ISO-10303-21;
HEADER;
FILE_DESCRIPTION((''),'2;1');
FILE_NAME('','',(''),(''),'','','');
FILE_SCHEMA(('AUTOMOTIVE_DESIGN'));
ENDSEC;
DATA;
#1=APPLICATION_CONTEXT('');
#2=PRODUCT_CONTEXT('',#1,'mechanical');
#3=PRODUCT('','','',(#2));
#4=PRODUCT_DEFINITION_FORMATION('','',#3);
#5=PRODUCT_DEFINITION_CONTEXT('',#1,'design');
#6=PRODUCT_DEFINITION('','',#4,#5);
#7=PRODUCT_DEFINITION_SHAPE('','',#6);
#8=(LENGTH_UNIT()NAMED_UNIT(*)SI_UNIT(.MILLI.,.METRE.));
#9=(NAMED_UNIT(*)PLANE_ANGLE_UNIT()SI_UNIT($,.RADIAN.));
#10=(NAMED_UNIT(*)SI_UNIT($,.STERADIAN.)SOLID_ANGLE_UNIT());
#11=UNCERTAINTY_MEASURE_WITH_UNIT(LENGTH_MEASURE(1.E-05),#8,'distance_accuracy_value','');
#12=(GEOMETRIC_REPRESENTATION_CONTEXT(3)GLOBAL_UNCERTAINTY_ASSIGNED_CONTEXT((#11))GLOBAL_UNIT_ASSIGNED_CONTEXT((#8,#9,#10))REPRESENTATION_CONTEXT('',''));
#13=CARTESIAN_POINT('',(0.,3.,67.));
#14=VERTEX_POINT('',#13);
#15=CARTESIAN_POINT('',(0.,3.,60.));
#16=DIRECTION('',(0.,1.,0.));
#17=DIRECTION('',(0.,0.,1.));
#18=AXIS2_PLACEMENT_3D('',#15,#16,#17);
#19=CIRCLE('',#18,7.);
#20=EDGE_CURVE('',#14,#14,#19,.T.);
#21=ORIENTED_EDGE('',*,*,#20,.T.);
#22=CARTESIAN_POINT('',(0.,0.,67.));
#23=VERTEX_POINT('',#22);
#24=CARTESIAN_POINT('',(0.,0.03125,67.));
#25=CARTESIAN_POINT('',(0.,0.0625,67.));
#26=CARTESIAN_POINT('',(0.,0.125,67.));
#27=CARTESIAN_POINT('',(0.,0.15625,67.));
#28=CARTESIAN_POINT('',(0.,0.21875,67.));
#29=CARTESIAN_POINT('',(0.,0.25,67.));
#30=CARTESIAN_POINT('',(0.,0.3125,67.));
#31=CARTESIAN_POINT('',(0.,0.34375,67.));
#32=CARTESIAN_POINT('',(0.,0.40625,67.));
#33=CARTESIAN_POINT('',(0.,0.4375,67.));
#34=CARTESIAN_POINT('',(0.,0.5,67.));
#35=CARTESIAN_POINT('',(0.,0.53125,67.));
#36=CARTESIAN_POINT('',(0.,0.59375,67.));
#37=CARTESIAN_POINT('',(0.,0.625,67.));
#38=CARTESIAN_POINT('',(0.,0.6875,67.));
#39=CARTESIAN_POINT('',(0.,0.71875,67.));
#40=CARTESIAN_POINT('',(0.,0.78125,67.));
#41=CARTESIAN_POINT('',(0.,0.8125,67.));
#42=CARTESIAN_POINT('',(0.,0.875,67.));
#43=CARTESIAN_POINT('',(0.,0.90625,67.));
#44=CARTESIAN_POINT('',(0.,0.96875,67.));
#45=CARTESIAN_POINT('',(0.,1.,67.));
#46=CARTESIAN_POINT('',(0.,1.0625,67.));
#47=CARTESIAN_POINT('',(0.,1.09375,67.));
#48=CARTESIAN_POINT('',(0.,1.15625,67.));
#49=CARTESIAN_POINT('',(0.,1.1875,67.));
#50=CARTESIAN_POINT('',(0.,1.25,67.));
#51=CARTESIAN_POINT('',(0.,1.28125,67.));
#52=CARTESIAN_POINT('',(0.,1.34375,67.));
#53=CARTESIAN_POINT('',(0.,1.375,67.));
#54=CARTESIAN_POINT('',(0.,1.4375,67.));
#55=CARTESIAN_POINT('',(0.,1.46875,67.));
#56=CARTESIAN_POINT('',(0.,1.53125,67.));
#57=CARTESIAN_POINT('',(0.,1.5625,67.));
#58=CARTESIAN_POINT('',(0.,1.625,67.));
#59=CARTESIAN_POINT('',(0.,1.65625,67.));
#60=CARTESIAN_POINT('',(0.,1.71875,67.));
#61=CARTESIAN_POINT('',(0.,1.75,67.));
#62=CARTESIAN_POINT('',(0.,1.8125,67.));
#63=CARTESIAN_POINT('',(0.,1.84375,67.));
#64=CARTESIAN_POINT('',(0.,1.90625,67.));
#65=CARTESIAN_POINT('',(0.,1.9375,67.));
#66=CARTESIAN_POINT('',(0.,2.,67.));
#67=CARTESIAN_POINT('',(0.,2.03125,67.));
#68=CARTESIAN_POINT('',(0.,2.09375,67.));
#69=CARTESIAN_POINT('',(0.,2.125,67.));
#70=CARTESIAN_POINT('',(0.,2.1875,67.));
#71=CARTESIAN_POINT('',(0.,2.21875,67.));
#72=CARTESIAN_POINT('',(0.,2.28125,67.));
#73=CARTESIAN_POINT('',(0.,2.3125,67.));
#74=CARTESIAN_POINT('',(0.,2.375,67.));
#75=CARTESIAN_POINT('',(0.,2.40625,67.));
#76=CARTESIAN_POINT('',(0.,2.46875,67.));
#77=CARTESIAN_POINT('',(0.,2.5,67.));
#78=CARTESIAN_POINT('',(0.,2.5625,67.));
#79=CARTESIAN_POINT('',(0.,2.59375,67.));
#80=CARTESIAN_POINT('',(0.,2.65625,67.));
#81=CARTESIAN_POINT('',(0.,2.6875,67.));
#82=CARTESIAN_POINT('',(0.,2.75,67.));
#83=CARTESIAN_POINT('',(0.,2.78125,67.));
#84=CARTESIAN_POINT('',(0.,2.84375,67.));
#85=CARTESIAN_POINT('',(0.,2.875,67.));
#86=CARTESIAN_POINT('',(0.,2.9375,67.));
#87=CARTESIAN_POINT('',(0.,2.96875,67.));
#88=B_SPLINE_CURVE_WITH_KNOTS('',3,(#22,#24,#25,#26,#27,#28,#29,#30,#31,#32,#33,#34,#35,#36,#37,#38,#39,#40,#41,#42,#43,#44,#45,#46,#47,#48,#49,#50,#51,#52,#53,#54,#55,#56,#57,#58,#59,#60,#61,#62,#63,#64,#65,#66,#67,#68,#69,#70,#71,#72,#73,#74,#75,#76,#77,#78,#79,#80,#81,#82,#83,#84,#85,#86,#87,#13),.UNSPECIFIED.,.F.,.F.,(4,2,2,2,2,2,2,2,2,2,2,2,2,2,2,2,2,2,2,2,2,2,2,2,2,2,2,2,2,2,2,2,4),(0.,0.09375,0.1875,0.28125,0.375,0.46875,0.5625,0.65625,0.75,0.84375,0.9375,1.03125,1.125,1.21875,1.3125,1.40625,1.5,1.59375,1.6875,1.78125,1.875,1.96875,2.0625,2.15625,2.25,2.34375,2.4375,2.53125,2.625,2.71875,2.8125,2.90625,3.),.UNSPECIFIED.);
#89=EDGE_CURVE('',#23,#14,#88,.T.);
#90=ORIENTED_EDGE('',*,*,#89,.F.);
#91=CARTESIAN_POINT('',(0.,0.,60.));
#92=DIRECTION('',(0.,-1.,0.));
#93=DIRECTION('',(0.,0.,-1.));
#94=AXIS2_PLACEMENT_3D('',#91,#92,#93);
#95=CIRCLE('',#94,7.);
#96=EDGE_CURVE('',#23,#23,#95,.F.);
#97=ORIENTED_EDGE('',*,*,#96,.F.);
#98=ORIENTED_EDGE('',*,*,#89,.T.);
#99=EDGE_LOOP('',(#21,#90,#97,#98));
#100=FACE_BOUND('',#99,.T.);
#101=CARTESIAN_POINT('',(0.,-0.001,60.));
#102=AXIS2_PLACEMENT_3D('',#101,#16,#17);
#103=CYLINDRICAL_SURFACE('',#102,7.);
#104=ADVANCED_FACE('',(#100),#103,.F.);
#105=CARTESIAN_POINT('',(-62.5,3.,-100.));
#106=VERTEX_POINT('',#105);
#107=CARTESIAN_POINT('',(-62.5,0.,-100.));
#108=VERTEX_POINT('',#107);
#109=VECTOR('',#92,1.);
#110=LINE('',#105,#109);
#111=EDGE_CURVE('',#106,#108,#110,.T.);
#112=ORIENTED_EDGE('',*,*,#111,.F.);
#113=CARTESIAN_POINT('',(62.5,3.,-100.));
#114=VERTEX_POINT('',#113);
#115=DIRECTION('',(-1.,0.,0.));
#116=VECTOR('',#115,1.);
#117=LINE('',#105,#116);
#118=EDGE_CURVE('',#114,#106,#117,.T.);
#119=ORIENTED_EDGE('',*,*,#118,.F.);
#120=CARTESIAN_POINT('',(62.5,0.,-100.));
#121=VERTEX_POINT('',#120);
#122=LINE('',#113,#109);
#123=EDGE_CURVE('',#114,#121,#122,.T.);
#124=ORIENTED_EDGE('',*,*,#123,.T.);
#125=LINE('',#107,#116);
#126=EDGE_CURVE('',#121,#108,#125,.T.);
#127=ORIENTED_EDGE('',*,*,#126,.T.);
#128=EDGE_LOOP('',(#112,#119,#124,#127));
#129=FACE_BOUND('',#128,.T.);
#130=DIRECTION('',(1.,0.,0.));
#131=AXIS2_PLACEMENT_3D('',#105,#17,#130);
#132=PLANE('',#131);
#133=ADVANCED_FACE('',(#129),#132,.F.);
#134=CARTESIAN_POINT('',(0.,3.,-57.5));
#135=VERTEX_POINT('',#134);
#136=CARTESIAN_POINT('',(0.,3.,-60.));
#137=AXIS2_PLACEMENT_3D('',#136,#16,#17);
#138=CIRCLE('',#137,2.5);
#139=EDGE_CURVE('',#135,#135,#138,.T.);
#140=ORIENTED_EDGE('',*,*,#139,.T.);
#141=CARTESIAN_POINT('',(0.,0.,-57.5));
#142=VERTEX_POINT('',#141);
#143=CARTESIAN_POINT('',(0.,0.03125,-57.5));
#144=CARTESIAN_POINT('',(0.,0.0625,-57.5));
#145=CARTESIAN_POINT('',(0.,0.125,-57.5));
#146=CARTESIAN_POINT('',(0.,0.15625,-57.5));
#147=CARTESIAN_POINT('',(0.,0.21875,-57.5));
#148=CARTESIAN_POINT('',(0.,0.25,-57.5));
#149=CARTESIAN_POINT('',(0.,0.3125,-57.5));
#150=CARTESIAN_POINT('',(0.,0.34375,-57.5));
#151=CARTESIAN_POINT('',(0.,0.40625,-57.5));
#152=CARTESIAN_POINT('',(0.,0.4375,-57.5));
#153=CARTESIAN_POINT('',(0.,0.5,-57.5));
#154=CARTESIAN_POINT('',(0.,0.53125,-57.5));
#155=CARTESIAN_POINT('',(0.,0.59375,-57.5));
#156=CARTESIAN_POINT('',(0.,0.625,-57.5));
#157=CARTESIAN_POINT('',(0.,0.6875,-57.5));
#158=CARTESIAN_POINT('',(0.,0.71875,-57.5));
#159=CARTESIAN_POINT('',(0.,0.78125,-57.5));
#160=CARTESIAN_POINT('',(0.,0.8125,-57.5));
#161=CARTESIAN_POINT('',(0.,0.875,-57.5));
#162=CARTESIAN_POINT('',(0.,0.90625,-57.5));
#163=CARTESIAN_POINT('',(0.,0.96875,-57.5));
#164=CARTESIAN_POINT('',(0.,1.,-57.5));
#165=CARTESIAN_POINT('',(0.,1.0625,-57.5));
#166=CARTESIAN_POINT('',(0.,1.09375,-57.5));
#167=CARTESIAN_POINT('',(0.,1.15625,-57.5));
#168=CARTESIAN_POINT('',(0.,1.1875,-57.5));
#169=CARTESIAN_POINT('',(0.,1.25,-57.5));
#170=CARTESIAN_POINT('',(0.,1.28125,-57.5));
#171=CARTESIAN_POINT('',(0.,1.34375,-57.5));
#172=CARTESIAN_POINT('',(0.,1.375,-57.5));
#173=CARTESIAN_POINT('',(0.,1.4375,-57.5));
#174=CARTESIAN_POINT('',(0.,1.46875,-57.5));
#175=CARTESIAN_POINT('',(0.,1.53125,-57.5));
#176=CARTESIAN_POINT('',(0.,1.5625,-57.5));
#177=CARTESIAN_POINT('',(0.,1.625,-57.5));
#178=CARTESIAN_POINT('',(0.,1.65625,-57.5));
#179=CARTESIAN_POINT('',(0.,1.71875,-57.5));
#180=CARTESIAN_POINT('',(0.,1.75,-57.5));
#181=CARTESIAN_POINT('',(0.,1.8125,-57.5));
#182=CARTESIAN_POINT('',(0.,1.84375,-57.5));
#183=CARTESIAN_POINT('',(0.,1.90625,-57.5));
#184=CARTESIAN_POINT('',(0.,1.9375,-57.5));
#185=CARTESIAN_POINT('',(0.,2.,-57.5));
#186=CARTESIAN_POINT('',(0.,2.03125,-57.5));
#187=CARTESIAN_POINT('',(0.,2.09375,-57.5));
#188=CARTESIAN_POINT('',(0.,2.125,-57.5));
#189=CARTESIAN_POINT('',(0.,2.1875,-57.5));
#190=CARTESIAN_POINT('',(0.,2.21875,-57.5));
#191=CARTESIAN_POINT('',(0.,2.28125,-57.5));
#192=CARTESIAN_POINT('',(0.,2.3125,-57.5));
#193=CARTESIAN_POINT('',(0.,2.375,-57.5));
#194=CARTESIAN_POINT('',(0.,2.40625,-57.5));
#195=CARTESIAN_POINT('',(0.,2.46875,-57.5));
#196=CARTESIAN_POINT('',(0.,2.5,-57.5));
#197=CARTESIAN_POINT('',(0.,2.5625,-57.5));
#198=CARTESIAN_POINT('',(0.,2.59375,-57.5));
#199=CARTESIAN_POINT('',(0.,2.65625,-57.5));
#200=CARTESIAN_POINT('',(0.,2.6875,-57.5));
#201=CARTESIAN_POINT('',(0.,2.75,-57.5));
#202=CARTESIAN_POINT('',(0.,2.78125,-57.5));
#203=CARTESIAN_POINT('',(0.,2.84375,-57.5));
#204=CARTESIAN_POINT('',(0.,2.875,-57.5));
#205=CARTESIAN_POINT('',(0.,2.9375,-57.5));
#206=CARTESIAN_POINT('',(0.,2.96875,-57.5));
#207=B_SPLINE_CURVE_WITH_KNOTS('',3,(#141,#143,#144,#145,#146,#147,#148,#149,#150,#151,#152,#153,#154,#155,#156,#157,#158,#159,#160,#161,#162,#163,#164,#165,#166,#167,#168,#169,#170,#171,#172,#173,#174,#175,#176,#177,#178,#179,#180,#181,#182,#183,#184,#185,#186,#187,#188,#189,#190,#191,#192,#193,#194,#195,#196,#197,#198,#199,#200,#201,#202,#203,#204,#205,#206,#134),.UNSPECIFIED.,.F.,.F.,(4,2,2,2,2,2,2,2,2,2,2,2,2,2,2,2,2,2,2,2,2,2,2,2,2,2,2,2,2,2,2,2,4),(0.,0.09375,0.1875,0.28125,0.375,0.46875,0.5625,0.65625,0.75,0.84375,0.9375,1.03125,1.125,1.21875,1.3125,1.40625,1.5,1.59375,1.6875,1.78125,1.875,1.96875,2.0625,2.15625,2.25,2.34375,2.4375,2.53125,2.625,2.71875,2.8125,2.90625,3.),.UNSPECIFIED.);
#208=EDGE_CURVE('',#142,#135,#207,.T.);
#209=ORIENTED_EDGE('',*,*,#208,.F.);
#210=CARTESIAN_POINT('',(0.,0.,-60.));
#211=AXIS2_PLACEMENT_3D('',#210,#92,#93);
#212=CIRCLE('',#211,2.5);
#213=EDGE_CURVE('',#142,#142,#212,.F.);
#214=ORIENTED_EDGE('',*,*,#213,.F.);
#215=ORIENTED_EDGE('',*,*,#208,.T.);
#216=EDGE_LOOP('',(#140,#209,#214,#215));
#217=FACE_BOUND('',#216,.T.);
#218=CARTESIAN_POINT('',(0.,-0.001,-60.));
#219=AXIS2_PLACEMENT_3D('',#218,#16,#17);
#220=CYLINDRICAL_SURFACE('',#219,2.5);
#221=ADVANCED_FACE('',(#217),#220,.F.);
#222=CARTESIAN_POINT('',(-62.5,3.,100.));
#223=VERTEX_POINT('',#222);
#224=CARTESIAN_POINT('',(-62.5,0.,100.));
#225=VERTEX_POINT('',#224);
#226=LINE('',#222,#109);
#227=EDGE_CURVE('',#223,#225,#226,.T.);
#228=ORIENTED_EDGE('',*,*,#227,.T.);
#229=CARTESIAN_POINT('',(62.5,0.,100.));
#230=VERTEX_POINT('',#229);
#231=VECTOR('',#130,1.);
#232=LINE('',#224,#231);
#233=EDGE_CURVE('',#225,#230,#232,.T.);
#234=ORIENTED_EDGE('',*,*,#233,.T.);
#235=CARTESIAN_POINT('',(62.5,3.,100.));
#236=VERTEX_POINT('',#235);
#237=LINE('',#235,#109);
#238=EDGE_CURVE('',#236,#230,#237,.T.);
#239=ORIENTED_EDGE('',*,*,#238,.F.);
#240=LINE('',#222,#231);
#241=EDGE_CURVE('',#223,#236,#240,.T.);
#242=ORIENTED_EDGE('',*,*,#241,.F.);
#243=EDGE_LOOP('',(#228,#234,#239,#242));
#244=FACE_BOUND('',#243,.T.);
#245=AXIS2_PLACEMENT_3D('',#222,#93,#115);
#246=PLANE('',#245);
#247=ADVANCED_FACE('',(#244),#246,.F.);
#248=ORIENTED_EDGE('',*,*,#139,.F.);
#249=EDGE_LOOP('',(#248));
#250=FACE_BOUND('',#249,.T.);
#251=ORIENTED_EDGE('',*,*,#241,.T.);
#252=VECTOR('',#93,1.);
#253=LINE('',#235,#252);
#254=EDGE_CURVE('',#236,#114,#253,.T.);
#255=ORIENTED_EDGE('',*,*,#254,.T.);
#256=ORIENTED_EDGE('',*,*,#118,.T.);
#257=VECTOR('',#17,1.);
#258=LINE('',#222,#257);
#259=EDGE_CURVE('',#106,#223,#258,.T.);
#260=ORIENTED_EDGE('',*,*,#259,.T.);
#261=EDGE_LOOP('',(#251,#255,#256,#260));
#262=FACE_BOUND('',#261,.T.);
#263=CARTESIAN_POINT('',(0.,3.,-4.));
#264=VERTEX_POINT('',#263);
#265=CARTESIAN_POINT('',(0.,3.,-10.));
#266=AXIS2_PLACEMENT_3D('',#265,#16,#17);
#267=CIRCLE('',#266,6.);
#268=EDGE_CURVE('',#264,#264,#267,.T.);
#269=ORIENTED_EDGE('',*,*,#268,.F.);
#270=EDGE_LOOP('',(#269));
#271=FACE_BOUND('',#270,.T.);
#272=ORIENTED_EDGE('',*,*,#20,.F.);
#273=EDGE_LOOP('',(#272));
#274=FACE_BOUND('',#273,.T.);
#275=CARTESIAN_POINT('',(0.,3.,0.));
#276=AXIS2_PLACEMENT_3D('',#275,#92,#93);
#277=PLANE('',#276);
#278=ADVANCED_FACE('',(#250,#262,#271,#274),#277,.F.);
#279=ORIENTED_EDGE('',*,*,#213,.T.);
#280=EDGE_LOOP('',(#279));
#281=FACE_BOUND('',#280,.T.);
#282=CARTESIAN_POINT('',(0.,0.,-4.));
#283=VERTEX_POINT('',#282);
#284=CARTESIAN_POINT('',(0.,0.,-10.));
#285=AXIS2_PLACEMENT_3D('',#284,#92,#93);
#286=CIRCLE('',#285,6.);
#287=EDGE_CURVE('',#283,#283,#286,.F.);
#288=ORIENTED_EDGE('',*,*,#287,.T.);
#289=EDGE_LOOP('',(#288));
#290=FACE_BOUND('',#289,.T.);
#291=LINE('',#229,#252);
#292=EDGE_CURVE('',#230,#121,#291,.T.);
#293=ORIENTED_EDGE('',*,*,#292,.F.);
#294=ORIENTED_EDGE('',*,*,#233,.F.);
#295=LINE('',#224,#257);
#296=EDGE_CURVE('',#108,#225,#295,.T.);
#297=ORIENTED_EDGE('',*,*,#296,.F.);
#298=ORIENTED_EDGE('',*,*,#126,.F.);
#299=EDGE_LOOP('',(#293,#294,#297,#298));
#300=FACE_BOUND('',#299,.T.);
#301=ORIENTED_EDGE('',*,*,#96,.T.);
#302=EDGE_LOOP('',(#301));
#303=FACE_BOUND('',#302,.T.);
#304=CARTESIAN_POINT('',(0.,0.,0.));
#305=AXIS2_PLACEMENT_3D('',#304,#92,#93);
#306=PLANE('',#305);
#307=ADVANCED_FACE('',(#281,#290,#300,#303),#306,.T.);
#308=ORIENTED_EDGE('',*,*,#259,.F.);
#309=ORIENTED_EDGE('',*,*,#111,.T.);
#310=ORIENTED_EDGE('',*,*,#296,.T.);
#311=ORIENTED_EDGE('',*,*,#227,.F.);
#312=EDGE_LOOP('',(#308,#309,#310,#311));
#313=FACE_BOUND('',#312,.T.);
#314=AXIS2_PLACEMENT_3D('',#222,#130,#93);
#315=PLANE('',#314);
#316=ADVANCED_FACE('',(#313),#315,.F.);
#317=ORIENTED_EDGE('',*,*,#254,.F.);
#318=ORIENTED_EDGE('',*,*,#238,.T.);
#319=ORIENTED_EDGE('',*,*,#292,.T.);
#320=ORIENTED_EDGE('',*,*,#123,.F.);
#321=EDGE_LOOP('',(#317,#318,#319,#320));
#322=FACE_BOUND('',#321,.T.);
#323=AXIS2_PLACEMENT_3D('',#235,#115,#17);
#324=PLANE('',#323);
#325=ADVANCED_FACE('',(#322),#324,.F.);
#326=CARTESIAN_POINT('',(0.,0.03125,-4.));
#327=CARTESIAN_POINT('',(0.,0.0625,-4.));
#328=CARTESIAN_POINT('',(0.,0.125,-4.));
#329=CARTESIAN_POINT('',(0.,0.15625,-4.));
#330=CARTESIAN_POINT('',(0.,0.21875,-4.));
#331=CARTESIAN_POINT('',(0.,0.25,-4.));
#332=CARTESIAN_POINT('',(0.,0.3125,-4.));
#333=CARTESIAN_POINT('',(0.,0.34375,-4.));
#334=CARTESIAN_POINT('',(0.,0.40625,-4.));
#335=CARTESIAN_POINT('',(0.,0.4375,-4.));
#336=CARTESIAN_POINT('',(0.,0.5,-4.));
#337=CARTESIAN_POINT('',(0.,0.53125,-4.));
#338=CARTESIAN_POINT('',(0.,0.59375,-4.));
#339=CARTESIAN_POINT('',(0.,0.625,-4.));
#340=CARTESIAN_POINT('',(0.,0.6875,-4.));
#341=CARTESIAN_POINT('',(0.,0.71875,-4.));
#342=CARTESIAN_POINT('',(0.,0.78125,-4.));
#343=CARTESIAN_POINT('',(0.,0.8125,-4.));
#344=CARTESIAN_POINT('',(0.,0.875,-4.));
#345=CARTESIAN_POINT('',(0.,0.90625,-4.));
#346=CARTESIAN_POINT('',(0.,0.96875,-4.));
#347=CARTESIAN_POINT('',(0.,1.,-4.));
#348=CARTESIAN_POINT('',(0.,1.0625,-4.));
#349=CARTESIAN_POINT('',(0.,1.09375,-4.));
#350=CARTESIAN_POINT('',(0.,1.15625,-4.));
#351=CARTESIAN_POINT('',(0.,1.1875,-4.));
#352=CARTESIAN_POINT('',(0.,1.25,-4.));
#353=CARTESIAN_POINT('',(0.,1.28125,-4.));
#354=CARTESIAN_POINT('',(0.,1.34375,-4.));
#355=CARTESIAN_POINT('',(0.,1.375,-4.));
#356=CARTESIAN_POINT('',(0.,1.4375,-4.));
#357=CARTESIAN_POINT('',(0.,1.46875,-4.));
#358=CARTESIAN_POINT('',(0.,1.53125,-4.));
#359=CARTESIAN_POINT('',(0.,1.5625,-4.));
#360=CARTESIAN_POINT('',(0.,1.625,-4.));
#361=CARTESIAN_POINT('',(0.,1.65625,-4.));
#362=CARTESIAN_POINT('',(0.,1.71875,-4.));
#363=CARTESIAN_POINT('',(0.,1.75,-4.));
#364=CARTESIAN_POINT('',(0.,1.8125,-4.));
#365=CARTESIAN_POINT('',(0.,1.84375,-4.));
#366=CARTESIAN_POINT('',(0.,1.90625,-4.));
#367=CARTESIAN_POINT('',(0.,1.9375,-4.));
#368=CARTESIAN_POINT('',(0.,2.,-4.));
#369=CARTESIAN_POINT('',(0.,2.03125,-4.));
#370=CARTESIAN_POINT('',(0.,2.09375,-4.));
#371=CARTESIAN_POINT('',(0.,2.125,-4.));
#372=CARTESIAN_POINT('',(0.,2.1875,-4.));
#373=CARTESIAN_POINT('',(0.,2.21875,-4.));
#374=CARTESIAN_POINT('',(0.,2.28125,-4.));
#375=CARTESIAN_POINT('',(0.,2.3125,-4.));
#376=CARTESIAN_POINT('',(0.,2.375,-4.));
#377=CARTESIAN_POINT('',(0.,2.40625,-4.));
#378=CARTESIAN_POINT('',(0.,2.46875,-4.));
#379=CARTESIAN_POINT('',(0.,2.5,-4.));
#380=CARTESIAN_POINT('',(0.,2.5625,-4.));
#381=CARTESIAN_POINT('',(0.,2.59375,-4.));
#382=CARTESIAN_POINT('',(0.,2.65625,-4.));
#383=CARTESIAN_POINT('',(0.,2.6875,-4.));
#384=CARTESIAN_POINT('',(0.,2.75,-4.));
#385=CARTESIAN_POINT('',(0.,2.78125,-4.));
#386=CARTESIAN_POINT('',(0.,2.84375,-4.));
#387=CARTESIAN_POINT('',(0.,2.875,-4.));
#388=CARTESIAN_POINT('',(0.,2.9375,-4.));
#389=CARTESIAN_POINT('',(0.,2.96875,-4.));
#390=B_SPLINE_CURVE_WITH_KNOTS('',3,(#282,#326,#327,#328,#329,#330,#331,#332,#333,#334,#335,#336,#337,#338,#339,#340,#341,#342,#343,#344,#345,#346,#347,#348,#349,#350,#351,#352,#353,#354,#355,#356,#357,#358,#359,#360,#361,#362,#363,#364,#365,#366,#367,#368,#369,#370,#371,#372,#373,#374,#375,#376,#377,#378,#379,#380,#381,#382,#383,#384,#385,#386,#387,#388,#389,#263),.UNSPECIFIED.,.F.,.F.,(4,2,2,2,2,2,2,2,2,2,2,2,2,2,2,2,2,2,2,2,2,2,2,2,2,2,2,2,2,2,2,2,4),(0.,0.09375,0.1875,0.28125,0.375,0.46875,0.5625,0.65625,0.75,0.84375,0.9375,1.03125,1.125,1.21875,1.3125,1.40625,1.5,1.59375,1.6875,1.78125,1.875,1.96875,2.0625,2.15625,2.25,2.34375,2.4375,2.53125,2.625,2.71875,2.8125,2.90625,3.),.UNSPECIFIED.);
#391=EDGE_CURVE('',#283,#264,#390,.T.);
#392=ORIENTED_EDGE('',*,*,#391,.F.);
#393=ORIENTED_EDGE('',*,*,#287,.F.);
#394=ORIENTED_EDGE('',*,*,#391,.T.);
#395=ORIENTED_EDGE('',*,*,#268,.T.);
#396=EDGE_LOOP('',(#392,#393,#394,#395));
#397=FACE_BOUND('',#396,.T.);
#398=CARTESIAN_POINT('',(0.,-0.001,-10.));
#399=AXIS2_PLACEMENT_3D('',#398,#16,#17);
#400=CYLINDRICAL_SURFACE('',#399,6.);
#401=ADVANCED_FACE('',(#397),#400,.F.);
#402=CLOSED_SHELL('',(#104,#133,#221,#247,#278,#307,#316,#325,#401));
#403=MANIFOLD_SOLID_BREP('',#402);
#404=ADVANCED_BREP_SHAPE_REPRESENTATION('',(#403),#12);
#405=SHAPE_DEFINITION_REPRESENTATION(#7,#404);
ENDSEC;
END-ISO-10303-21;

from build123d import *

# Parameters (mm, degrees)
SKETCH1_W           = 125
SKETCH1_H           = 200
BOSS_EXTRUDE1_DEPTH = 3
SKETCH2_R           = 2.5
SKETCH2_R_2         = 7
SKETCH2_R_3         = 6
CUT_EXTRUDE1_DEPTH  = 3


with BuildPart() as part:
    # Sketch1 → Boss-Extrude1 (new body)
    with BuildSketch(Plane(origin=(0, 0, 0), x_dir=(1, 0, 0), z_dir=(0, 1, 0))):
        Rectangle(SKETCH1_W, SKETCH1_H)
    extrude(amount=BOSS_EXTRUDE1_DEPTH)

    # Sketch2 → Cut-Extrude1 (cut)
    with BuildSketch(Plane(origin=(0, 3, 0), x_dir=(1, 0, 0), z_dir=(0, 1, 0))):
        with Locations(Location((0, 60, 0), (0, 0, 270))):
            Circle(SKETCH2_R)
        with Locations(Location((0, -60, 0), (0, 0, 270))):
            Circle(SKETCH2_R_2)
        with Locations(Location((0, 10, 0), (0, 0, 270))):
            Circle(SKETCH2_R_3)
    extrude(amount=-CUT_EXTRUDE1_DEPTH, mode=Mode.SUBTRACT)


solid = part.part
